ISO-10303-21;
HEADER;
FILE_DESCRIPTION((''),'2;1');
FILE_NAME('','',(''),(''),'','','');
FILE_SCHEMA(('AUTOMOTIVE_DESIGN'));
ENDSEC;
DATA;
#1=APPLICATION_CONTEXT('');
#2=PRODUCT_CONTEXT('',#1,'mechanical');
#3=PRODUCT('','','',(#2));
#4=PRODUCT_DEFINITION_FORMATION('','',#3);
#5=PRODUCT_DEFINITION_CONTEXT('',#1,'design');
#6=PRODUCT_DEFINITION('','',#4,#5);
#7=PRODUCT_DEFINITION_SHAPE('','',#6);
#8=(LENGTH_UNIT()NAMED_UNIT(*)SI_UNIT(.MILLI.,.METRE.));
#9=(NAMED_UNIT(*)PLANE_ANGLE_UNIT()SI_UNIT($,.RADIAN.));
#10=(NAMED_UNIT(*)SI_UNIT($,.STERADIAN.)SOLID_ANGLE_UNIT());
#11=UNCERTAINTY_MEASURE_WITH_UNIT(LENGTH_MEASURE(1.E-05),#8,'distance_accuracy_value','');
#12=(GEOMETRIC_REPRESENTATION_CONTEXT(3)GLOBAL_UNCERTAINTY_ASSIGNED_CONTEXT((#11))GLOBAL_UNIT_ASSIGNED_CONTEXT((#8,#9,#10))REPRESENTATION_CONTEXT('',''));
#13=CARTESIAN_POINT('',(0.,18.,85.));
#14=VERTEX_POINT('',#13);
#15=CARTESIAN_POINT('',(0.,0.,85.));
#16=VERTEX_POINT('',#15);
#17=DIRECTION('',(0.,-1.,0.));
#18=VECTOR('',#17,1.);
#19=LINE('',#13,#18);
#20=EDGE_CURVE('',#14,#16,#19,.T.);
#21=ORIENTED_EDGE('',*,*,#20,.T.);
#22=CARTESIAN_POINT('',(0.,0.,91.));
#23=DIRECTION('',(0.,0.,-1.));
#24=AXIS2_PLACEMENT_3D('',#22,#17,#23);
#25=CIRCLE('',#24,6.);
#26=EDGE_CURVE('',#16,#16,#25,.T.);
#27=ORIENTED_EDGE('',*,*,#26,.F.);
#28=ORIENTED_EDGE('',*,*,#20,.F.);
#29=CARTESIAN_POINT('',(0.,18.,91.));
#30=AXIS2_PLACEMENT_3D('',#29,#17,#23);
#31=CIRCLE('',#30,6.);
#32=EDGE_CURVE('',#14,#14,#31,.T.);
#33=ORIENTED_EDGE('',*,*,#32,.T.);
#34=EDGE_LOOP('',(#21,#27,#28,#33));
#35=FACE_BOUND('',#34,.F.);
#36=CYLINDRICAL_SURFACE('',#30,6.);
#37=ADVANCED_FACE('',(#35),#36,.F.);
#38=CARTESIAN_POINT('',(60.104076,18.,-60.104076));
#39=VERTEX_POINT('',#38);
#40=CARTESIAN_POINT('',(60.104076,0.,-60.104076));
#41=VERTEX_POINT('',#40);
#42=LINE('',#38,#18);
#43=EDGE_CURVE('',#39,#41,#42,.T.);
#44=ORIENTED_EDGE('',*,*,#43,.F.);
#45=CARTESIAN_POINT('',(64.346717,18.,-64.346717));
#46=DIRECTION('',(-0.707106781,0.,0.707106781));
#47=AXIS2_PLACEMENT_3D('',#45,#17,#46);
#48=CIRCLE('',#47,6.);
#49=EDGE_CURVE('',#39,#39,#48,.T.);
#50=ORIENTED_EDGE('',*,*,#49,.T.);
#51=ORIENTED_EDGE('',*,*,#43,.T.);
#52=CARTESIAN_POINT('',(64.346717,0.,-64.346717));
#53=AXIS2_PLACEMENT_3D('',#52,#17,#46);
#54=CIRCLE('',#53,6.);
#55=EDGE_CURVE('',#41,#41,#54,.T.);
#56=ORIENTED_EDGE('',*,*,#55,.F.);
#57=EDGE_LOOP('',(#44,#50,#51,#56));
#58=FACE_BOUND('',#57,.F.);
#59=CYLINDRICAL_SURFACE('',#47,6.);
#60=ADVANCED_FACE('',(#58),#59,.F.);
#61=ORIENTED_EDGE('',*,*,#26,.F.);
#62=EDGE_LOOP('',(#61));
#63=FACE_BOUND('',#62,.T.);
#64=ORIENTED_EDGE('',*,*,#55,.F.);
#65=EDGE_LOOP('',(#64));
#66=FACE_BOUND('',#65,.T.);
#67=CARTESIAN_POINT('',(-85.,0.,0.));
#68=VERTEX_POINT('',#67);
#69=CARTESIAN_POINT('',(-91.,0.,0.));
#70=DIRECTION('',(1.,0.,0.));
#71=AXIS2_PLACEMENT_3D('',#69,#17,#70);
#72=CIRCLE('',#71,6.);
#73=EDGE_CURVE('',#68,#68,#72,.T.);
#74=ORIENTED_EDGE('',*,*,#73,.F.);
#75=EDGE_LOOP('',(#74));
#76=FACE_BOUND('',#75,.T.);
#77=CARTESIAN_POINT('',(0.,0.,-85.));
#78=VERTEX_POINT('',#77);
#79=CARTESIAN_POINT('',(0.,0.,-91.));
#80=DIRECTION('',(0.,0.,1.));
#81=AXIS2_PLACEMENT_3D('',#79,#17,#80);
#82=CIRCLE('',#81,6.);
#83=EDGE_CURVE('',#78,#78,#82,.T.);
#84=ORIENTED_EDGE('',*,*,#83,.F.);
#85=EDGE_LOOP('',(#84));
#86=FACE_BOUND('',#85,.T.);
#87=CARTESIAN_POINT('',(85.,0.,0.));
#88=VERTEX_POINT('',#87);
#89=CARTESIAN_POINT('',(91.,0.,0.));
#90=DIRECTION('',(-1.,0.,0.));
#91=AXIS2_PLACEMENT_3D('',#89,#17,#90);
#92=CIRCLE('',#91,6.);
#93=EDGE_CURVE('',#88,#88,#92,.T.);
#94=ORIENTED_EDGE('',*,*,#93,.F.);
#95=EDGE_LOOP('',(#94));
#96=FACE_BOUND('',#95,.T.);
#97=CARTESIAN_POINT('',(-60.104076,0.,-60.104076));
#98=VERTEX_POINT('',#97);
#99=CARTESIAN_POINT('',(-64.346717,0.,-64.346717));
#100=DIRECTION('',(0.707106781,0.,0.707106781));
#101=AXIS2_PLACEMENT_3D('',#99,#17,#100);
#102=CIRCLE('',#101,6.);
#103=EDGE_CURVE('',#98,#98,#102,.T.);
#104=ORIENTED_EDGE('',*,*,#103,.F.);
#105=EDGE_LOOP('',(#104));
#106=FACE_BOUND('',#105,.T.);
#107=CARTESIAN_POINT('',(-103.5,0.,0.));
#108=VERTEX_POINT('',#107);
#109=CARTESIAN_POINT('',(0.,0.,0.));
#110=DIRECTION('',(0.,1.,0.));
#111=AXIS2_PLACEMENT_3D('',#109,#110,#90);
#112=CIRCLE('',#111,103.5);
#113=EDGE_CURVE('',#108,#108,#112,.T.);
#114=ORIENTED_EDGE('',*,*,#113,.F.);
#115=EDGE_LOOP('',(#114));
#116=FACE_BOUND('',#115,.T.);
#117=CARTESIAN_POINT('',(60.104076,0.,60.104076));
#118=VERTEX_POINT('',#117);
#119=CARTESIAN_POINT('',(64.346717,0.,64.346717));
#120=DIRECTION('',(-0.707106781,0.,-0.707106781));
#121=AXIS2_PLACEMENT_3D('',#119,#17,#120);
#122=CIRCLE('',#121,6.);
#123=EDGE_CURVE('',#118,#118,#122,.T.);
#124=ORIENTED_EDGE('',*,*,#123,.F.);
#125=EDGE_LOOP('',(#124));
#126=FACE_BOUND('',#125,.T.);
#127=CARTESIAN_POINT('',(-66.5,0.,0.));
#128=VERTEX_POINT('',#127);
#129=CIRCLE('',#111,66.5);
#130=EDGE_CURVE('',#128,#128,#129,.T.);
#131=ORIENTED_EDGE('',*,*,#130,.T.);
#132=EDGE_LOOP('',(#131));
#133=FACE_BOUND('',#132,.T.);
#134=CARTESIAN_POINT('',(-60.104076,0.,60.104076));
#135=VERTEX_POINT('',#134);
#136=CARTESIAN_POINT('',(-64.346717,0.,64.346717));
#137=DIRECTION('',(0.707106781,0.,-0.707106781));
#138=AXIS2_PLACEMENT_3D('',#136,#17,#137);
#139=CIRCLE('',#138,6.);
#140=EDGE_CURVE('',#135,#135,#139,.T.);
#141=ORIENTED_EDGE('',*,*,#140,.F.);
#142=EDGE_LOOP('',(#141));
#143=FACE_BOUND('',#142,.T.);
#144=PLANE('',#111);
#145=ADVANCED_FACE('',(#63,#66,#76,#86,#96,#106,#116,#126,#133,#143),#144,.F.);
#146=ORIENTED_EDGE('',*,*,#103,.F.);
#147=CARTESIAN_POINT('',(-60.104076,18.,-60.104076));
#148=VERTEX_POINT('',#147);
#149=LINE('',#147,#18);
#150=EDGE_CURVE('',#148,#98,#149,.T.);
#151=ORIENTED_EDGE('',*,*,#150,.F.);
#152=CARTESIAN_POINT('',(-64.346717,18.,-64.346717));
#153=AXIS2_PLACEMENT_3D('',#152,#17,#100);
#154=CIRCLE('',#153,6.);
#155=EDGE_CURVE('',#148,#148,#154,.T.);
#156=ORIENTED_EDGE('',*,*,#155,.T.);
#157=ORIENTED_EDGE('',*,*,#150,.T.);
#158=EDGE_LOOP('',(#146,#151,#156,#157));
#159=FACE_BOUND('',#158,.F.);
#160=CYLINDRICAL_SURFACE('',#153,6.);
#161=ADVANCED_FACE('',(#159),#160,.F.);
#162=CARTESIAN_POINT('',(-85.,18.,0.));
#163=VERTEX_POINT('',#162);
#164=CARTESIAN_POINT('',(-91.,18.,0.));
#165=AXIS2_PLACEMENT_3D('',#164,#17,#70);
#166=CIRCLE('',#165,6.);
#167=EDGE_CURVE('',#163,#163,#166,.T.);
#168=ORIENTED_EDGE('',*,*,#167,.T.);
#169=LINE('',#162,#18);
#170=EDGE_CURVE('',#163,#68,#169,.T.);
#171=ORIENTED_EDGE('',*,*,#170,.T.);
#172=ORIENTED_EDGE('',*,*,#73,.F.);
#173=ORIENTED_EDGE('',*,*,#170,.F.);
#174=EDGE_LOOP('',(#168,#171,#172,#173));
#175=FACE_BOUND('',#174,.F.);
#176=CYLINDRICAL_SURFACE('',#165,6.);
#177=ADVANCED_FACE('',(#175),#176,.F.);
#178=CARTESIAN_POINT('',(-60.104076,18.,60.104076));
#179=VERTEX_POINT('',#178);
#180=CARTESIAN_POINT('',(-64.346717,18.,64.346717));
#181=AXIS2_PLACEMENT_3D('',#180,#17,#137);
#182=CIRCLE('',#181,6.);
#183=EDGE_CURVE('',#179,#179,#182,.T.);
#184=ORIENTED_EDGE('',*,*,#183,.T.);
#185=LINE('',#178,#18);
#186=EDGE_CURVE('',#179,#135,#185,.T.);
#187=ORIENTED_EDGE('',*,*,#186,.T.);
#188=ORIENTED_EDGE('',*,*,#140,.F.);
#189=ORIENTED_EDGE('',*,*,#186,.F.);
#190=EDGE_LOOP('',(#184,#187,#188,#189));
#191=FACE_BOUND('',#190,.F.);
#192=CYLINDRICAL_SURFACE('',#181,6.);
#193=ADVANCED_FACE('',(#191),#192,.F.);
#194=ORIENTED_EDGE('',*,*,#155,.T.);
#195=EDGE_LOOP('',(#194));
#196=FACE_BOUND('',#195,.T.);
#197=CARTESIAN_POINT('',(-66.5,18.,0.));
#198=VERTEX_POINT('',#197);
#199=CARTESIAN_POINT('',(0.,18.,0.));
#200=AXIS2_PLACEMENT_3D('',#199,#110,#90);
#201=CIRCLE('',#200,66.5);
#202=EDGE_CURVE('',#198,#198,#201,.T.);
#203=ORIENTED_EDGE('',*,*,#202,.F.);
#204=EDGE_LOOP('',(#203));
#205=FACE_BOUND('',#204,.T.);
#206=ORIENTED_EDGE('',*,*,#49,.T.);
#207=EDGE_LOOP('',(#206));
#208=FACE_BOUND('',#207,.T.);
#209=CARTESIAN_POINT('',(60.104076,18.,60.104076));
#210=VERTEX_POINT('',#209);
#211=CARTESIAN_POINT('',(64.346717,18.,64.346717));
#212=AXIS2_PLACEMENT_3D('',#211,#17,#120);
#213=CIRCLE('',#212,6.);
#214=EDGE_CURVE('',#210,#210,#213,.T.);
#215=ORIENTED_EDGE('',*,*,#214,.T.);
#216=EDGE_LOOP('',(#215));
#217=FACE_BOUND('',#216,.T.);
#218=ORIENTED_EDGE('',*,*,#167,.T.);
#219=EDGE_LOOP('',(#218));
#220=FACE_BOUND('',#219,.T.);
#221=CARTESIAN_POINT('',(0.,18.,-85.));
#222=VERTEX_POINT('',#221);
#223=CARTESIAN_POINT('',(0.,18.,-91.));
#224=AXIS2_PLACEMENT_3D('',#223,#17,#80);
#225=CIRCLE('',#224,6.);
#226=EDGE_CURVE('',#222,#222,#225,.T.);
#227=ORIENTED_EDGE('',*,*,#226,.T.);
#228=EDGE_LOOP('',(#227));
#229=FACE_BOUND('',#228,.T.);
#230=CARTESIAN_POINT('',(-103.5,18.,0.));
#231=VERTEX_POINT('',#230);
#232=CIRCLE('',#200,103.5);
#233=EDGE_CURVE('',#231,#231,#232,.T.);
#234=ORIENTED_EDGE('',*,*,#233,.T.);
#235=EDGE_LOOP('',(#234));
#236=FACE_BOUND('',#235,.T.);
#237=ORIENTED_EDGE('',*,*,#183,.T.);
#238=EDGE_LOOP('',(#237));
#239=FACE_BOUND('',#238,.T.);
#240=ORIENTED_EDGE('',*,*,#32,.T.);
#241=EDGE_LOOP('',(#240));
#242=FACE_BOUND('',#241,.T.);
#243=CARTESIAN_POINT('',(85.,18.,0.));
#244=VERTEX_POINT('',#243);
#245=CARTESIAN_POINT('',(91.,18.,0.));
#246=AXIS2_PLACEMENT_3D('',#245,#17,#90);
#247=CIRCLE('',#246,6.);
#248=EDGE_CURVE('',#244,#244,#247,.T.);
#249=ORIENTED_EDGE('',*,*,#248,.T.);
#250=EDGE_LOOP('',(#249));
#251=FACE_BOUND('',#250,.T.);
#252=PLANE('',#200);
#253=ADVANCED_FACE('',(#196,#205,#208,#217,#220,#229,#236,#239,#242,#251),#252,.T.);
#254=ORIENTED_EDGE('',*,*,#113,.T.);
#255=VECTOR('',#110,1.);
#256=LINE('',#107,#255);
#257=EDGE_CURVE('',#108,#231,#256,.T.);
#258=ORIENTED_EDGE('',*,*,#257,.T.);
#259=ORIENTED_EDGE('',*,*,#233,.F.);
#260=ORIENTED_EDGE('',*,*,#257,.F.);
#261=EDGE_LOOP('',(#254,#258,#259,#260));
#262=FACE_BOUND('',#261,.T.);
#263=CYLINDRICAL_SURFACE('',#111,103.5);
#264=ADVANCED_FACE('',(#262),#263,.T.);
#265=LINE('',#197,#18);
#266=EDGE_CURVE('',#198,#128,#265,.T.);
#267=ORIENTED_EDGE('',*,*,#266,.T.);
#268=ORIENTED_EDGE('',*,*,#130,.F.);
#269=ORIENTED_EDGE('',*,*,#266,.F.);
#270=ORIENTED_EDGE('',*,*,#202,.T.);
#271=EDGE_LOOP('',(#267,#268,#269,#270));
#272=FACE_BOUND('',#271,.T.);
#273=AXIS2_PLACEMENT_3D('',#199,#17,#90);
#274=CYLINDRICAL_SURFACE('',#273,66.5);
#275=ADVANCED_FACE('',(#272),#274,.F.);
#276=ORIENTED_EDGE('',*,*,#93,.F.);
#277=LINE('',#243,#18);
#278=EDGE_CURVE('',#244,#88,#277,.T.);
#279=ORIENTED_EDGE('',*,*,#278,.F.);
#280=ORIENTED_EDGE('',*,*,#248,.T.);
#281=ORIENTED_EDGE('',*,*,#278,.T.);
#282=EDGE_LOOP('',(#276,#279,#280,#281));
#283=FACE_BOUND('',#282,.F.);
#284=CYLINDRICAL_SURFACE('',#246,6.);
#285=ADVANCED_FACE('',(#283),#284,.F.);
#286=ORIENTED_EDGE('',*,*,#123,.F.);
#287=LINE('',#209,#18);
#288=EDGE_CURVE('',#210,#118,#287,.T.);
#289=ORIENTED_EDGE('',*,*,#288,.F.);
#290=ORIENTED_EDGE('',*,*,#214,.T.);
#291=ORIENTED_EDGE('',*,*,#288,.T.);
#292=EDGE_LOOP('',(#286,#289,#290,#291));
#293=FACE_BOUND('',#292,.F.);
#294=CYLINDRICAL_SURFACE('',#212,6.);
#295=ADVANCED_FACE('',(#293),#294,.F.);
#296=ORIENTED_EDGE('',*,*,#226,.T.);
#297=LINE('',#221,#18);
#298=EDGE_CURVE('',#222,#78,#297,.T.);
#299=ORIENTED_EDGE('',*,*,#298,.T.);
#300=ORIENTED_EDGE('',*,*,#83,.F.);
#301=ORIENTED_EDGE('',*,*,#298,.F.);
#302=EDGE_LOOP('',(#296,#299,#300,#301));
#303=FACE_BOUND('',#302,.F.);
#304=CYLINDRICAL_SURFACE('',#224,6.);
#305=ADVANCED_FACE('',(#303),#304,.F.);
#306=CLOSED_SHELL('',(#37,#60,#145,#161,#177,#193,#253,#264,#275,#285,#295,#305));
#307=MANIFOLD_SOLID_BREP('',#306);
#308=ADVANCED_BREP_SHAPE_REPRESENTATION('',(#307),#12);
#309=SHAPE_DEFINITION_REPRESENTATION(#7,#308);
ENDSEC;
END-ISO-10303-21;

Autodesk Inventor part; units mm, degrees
ref_plane "YZ Plane" through (0, 0, 0) normal (1, 0, 0) x (0, 1, 0)
ref_plane "XZ Plane" through (0, 0, 0) normal (0, 1, 0) x (-1, 0, 0)
ref_plane "XY Plane" through (0, 0, 0) normal (0, 0, 1) x (1, 0, 0)
sketch "Sketch1" plane through (0, 0, 0) normal (0, 0, 1) x (1, 0, 0)
  line L0 (-66.5, 0) -> (-103.5, 0)
  line L1 (-103.5, 0) -> (-103.5, 18)
  line L2 (-103.5, 18) -> (-66.5, 18)
  line L3 (-66.5, 18) -> (-66.5, 0)
  line L4 (0, -3.6) -> (0, 21.6) projected
  point P0 (0, 0)
  dimension "d0" = 66.5
  dimension "d1" = 103.5
  dimension "d2" = 18
revolve "Revolution1" add sketch "Sketch1" angle 360 about axis through (0, -10, 0) along (0, 1, 0)
sketch "Sketch2" plane through (0, 18, 0) normal (0, 1, 0) x (1, 0, 0)
  point P0 (0, 0)
  point P1 (0, 91)
  dimension "d4" = 91
hole "Hole1" at (0, 18, -91) direction (0, -1, 0) diameter 12 end through all
pattern_circular "Circular Pattern1" count 8 over 360 about axis through (0, 9, 0) along (0, 1, 0) of "Hole1"
properties part number "CollarRingBottom" material "Stainless Steel"
